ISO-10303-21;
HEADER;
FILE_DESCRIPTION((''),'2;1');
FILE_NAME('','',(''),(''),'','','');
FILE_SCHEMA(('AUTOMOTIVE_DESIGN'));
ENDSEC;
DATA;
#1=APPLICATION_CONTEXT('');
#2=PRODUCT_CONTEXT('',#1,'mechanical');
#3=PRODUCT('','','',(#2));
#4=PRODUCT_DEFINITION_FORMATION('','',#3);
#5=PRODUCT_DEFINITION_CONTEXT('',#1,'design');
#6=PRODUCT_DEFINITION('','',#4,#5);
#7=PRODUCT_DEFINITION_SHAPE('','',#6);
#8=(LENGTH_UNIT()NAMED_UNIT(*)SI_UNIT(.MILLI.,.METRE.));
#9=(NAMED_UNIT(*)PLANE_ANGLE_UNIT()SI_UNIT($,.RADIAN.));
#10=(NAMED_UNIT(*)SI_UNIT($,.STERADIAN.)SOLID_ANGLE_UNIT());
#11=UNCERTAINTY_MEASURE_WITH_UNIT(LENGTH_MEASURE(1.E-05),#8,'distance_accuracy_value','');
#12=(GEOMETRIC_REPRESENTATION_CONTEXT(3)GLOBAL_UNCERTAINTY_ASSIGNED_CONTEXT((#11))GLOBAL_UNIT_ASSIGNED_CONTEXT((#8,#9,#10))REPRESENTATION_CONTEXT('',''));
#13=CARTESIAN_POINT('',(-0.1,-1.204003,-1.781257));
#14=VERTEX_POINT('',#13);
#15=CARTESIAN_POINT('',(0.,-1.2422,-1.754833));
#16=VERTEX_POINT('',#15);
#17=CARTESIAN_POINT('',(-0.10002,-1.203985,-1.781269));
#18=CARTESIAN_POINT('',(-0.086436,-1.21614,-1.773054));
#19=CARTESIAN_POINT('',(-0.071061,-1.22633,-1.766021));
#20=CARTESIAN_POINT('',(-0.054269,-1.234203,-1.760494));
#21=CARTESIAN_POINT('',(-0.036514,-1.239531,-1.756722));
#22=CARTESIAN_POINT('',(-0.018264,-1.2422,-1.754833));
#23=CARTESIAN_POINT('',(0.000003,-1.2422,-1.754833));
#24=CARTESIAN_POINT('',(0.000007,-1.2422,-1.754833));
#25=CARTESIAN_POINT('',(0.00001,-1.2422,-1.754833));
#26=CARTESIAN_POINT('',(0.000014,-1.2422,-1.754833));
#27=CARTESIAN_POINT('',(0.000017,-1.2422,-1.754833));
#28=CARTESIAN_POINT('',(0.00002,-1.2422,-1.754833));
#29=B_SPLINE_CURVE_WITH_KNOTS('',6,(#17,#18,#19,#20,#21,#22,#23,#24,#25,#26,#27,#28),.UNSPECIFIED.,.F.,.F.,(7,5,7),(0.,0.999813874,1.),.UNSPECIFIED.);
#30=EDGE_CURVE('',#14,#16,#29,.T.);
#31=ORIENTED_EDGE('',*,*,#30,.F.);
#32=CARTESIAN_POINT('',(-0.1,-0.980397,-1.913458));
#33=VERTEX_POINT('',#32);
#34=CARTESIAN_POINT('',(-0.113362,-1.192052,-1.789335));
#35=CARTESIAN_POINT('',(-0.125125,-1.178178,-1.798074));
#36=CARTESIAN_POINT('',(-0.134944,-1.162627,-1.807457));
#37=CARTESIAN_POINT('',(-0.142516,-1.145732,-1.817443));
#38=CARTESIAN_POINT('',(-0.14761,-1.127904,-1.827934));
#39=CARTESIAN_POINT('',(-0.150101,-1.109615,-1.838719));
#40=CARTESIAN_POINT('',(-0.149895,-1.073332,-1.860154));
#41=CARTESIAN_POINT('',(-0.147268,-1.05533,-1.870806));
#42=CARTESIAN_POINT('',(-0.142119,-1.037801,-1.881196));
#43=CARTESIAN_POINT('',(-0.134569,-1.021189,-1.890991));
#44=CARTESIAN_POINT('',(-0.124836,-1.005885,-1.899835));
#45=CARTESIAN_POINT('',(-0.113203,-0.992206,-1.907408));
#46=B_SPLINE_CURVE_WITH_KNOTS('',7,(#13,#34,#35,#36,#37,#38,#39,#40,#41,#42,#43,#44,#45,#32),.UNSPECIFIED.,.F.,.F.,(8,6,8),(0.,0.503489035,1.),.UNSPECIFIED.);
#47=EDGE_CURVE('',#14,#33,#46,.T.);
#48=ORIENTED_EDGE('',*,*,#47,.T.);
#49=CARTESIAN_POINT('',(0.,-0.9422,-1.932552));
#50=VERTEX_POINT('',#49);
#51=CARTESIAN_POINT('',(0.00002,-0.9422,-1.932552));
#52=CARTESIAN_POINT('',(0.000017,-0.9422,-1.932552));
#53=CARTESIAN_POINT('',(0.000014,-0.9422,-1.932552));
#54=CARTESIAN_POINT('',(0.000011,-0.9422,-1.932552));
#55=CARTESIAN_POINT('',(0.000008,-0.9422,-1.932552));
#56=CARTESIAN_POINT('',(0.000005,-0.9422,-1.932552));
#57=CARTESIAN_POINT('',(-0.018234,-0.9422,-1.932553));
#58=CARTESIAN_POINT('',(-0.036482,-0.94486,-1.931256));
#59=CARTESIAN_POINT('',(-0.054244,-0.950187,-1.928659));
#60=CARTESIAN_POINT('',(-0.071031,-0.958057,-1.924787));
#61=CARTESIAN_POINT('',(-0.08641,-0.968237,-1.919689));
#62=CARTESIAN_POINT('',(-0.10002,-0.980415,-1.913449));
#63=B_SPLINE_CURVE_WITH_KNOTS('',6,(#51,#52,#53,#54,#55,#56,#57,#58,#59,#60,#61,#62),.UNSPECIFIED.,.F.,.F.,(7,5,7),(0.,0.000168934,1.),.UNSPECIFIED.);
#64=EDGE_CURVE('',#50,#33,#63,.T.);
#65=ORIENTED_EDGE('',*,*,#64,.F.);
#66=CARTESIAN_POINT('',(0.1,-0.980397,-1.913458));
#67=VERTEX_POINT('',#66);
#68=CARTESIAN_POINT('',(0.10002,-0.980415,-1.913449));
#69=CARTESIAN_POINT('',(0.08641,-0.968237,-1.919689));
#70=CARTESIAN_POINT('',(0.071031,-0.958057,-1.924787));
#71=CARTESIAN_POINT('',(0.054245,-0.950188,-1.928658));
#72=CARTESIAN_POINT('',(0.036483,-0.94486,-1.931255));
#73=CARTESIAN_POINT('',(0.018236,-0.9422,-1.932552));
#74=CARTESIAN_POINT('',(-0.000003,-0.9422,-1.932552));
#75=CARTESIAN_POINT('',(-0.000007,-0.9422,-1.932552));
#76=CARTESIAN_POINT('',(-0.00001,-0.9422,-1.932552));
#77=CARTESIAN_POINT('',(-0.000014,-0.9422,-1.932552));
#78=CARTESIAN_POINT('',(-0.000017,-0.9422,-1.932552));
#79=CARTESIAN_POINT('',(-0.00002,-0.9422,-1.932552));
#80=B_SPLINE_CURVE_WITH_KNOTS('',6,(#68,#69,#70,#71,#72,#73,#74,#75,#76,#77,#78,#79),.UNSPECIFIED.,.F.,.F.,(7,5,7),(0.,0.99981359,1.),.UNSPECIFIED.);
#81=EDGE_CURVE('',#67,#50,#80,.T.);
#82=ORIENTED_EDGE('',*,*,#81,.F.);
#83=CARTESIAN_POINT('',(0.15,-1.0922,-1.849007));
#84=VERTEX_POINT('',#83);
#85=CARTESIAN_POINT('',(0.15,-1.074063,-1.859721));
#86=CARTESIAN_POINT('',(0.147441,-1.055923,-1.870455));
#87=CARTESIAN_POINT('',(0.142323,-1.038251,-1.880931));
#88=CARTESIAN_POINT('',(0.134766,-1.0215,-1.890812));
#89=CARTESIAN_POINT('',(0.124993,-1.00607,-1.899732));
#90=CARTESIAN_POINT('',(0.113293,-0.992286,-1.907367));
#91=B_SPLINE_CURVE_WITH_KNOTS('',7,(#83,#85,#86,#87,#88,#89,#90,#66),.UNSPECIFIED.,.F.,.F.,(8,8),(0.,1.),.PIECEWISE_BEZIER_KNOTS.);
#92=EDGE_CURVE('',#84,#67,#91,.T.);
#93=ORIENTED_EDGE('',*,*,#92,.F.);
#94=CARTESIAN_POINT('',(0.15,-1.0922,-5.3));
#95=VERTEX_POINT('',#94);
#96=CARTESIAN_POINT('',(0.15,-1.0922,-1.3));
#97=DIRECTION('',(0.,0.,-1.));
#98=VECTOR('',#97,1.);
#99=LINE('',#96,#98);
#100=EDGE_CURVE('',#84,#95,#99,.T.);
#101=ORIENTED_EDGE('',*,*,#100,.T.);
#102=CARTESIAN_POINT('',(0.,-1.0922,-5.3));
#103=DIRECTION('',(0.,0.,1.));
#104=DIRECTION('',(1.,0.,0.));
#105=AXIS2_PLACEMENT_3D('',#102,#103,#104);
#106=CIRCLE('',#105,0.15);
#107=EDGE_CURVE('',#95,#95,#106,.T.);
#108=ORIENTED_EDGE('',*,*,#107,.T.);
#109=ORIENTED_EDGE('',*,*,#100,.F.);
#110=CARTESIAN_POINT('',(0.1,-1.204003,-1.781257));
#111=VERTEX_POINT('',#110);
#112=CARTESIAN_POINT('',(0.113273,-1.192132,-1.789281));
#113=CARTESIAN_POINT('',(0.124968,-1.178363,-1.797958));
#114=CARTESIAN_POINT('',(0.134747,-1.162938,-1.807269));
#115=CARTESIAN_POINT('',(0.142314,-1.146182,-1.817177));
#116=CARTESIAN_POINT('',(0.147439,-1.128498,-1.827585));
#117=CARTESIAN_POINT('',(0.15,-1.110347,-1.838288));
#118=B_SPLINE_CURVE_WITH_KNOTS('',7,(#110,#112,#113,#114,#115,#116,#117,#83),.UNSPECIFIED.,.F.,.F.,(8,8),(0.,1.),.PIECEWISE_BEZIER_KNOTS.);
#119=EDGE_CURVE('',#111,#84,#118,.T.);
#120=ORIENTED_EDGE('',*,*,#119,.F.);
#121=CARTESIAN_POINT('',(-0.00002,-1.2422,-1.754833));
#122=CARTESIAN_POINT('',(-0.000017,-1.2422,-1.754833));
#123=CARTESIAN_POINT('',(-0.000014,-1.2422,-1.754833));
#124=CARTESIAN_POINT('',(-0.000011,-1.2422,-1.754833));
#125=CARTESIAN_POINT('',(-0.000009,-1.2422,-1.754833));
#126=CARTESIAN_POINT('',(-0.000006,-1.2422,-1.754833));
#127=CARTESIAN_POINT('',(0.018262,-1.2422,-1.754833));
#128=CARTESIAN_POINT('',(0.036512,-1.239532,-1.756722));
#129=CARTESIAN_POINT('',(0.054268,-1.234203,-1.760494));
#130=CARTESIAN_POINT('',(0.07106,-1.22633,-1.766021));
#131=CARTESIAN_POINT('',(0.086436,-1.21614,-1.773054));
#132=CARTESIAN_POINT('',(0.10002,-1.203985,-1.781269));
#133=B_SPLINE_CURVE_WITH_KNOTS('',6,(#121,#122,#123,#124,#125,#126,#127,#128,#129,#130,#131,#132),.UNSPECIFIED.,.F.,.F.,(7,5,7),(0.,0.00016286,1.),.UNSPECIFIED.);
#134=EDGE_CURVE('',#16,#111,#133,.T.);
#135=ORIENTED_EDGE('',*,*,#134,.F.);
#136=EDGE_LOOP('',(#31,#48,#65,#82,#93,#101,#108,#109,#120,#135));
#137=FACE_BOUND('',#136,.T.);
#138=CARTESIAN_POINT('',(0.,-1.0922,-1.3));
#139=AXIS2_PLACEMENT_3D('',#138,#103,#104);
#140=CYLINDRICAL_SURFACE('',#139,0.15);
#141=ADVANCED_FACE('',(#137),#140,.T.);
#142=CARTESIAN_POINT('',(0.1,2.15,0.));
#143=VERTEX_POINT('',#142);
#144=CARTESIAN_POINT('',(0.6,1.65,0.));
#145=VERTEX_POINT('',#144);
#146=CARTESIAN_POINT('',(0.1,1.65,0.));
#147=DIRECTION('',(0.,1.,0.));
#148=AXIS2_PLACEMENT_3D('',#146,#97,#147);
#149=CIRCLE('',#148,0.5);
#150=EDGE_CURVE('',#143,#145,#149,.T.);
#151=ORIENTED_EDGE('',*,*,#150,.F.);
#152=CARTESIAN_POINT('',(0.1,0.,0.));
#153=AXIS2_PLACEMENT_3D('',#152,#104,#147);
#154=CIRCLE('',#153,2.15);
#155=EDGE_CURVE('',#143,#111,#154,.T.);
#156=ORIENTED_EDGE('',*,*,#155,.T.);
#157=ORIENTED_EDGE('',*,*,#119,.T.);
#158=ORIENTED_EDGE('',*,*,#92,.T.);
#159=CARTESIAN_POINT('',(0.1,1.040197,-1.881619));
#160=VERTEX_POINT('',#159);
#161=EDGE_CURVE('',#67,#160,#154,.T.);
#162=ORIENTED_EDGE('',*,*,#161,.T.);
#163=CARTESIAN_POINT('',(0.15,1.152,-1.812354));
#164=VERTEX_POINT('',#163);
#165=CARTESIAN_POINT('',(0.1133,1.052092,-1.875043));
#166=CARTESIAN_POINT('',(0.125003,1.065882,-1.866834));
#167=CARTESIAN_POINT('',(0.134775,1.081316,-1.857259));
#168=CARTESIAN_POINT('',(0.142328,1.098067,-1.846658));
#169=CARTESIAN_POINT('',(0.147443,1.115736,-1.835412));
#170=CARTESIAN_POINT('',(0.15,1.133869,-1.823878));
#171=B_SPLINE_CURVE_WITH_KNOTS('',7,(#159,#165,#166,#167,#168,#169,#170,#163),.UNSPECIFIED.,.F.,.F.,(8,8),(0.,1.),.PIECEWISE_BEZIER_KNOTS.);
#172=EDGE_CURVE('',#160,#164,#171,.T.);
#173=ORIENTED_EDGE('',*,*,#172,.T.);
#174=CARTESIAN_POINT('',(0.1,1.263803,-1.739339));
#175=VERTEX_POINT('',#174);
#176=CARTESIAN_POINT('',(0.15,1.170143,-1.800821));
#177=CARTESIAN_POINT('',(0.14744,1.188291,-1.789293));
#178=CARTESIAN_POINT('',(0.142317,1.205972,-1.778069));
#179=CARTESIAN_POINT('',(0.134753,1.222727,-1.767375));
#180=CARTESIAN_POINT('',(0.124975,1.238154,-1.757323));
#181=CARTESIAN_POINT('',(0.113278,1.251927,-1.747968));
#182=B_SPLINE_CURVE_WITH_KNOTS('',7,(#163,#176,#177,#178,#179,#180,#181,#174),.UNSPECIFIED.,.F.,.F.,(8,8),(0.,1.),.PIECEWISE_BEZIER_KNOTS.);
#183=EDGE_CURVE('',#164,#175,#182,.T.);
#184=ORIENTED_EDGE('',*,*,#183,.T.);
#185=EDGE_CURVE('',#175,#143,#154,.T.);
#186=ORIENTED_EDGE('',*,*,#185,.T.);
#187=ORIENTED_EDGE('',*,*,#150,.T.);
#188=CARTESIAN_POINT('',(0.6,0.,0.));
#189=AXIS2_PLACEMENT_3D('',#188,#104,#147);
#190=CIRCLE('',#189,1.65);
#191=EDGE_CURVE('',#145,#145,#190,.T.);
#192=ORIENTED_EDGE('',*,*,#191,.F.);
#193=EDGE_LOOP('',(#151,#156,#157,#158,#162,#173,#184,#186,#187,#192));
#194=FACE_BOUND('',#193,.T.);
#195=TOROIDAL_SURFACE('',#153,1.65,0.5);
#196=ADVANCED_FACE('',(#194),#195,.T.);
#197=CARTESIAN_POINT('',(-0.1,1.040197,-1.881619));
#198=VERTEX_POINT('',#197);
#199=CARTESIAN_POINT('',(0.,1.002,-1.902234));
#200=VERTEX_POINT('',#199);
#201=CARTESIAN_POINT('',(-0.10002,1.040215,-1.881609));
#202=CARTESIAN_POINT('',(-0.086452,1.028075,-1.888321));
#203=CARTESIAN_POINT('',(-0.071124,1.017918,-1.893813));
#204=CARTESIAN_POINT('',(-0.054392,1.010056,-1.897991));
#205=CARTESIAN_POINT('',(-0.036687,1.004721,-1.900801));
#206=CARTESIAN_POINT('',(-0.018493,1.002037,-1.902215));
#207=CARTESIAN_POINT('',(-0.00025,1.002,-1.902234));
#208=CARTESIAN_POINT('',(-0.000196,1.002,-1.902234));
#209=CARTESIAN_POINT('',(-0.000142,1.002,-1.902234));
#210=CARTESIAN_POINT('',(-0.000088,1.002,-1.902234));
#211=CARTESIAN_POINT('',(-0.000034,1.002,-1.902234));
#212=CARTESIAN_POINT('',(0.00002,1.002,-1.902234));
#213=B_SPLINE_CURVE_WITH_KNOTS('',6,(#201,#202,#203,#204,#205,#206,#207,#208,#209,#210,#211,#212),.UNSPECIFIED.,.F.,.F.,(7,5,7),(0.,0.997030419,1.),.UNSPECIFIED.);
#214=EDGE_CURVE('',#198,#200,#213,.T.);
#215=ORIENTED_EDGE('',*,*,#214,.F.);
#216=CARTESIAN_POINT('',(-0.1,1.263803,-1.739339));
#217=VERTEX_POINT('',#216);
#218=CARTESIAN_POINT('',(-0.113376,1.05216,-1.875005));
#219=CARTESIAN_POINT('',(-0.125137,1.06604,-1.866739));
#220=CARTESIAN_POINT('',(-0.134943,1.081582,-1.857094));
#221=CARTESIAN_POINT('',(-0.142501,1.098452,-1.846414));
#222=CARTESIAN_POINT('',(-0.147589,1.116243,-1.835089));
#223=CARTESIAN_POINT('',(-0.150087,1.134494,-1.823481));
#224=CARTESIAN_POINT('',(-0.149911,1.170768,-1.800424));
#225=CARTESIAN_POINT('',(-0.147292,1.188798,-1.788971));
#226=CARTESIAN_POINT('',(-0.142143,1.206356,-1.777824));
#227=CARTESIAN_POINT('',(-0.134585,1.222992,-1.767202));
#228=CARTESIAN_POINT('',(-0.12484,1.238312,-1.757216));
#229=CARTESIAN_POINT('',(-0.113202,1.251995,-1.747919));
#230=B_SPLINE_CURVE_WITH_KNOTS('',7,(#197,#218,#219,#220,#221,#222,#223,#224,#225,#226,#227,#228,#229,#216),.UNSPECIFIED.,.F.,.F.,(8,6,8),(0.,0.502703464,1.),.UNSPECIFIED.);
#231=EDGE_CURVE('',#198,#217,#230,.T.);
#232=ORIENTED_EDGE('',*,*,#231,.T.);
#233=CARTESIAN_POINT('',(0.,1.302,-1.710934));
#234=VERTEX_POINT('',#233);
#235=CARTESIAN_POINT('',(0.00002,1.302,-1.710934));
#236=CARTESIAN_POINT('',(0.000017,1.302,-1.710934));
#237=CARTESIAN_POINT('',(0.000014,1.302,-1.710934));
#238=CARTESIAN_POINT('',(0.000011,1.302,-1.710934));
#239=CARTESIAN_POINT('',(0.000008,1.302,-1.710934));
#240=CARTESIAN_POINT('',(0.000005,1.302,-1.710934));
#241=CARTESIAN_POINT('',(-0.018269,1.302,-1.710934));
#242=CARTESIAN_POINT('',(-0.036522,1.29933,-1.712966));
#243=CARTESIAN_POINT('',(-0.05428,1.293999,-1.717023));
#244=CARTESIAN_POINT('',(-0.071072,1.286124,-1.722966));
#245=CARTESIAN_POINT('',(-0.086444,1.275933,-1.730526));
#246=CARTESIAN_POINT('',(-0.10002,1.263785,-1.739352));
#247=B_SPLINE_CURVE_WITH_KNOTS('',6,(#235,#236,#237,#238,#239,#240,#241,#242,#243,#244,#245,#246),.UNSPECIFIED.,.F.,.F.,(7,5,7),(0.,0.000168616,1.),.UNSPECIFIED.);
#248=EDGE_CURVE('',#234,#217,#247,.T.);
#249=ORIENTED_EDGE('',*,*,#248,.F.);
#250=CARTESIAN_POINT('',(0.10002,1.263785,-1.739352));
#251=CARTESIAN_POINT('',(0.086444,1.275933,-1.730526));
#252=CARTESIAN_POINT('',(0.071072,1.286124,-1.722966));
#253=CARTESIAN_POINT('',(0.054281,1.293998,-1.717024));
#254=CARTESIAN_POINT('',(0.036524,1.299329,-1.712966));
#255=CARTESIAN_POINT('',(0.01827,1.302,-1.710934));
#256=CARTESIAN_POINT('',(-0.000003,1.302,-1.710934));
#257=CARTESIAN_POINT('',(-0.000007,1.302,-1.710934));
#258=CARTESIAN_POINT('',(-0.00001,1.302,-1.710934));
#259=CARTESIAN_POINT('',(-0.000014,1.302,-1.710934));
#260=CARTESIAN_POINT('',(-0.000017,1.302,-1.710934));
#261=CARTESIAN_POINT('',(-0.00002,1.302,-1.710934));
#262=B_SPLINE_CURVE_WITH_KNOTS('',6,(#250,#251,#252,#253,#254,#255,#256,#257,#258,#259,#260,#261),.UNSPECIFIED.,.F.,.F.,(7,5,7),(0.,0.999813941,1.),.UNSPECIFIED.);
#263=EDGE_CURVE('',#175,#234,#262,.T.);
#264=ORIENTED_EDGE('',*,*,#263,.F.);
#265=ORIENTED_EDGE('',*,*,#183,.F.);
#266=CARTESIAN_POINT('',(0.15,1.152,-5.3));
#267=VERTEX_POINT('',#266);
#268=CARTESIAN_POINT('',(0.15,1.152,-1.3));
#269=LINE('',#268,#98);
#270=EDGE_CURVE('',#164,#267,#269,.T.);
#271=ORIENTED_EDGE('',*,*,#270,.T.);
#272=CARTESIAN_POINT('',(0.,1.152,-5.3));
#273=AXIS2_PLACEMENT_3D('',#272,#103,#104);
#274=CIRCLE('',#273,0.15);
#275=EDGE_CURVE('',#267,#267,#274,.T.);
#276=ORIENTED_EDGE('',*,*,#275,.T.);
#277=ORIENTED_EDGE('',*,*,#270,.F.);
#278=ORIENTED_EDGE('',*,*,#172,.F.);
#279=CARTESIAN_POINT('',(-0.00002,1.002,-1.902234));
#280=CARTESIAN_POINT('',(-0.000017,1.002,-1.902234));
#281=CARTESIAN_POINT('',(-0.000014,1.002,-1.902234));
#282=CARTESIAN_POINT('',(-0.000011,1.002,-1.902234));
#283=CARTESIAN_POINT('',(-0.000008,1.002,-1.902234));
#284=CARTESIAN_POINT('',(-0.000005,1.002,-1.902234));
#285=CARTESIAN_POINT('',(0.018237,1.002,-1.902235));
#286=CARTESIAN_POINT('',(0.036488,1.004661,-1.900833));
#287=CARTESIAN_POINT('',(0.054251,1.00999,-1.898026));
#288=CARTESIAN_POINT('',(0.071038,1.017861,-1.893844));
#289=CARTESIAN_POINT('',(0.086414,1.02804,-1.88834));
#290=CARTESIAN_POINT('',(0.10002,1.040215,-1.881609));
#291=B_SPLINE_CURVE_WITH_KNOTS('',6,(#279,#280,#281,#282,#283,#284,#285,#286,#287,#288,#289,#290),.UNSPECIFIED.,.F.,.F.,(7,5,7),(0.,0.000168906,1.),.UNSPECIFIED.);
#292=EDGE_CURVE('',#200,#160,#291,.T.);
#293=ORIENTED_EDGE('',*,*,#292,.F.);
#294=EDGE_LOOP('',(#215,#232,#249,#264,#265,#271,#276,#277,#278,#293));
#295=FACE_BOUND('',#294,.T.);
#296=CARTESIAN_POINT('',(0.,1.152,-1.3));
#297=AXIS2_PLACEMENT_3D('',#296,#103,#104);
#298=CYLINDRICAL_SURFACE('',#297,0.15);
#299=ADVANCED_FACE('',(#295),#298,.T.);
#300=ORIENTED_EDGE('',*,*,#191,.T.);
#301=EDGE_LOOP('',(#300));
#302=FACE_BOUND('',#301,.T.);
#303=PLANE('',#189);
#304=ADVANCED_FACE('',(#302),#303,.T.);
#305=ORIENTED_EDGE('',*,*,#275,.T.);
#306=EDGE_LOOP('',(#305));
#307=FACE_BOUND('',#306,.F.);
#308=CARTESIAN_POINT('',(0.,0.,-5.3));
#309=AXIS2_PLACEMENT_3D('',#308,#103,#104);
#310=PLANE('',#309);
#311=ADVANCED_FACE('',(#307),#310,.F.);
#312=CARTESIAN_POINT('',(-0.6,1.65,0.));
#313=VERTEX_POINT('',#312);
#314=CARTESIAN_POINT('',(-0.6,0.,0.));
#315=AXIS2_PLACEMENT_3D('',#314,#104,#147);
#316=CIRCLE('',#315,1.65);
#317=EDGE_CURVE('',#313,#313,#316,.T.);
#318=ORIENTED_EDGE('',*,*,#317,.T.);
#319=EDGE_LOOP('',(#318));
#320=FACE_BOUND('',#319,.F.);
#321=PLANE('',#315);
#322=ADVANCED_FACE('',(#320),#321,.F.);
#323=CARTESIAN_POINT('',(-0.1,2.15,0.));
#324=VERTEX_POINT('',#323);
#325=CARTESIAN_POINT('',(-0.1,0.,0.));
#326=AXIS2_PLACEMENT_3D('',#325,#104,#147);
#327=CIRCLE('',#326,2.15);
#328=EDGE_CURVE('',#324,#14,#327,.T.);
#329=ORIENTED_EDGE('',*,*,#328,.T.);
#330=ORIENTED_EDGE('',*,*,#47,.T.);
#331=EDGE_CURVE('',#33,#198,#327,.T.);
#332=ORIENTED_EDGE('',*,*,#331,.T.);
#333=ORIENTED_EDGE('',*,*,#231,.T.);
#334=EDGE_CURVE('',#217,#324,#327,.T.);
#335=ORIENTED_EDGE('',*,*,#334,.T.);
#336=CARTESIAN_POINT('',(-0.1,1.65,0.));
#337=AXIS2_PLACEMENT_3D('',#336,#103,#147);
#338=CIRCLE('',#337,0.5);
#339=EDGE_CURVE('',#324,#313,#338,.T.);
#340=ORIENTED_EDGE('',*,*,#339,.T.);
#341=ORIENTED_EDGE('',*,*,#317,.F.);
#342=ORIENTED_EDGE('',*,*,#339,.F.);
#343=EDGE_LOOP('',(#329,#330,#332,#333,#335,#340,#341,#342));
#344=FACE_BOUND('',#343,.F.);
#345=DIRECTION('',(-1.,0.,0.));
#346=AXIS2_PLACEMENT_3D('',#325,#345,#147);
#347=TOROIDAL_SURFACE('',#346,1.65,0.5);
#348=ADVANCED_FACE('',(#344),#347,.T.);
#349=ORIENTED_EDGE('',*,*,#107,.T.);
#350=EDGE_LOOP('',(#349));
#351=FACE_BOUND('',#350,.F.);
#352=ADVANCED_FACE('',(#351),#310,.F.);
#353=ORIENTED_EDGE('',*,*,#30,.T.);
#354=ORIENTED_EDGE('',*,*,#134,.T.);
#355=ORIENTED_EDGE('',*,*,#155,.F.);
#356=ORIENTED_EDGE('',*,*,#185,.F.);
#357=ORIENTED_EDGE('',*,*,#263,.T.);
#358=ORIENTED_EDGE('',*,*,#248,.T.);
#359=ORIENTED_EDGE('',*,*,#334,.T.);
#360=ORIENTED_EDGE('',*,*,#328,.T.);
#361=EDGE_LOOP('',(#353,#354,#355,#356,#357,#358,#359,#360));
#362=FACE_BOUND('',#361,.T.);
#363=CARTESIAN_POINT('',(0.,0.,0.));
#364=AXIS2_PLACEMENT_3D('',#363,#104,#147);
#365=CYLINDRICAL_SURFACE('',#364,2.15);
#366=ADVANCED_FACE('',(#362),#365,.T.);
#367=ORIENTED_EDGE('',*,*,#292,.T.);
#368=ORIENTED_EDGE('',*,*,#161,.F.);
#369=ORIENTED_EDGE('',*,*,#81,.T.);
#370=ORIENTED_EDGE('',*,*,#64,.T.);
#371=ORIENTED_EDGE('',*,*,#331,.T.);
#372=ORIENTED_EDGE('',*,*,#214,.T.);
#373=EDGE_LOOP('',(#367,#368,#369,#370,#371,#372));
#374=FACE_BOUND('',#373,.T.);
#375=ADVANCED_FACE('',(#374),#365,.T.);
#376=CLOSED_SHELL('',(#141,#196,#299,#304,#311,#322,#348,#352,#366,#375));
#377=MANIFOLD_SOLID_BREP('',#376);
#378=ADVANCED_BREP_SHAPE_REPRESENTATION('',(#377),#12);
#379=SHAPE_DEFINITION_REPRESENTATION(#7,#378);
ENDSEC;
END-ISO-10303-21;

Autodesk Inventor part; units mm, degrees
ref_plane "YZ Plane" through (0, 0, 0) normal (1, 0, 0) x (0, 1, 0)
ref_plane "XZ Plane" through (0, 0, 0) normal (0, 1, 0) x (-1, 0, 0)
sketch "Boceto1" plane through (0, 0, 0) normal (1, 0, 0) x (0, 1, 0)
  circle A0 centre (0, 0) radius 2.15
  dimension "d0" = 4.3
extrude "Extrusión1" add sketch "Boceto1" along normal mid plane 1.2
fillet "Empalme1" radius 0.5 1 edges at (0.6, -2.15, 0)
fillet "Empalme2" radius 0.5 1 edges at (-0.6, -2.15, 0)
sketch "Boceto2" plane through (-0.6, 0, 0) normal (-1, 0, 0) x (0, 0, 1)
  line L0 (0.4589, 1.19) -> (0.433, -1.0611) construction
  line L1 (0.433, -1.0611) -> (-0.6091, -1.0491) construction
  line L2 (-0.6091, -1.0491) -> (-0.5832, 1.202) construction
  line L3 (-0.5832, 1.202) -> (0.4589, 1.19) construction
  point P0 (0, 0)
sketch "Boceto3" plane through (0.6, 0, 0) normal (1, 0, 0) x (0, 0, -1)
  line L0 (-0.4506, -1.1931) -> (-0.4404, 1.0581) construction
  line L1 (-0.4404, 1.0581) -> (0.6018, 1.0533) construction
  line L2 (0.6018, 1.0533) -> (0.5916, -1.1979) construction
  line L3 (0.5916, -1.1979) -> (-0.4506, -1.1931) construction
  point P0 (0, 0)
ref_plane "Plano de trabajo1" through (0, 0, -1.3) normal (0, 0, 1) x (1, 0, 0)
sketch "Boceto4" plane through (0, 0, -1.3) normal (0, 0, 1) x (1, 0, 0)
  line L0 (0.1, -2.15) -> (0.1, 2.15) projected
  line L1 (0.6, 1.65) -> (0.6, -1.65) projected
  line L2 (-0.1, 2.15) -> (-0.1, -2.15) projected
  line L3 (-0.6, -1.65) -> (-0.6, 1.65) projected
  line L4 (0.1, -2.15) -> (0.1, 2.15) projected
  line L5 (-0.1, 2.15) -> (-0.1, -2.15) projected
  circle A0 centre (0, -1.0922) radius 0.15
  circle A1 centre (0, 1.152) radius 0.15
  point P0 (0, 0)
  dimension "d7" = 0.3
  dimension "d8" = 0.3
extrude "Extrusión2" add sketch "Boceto4" against normal blind 4 contours A0 L2 L0 | L0 A0 | A0 L2 | A1 L2 L0 | L0 A1 | A1 L2
properties part number "cap334"
